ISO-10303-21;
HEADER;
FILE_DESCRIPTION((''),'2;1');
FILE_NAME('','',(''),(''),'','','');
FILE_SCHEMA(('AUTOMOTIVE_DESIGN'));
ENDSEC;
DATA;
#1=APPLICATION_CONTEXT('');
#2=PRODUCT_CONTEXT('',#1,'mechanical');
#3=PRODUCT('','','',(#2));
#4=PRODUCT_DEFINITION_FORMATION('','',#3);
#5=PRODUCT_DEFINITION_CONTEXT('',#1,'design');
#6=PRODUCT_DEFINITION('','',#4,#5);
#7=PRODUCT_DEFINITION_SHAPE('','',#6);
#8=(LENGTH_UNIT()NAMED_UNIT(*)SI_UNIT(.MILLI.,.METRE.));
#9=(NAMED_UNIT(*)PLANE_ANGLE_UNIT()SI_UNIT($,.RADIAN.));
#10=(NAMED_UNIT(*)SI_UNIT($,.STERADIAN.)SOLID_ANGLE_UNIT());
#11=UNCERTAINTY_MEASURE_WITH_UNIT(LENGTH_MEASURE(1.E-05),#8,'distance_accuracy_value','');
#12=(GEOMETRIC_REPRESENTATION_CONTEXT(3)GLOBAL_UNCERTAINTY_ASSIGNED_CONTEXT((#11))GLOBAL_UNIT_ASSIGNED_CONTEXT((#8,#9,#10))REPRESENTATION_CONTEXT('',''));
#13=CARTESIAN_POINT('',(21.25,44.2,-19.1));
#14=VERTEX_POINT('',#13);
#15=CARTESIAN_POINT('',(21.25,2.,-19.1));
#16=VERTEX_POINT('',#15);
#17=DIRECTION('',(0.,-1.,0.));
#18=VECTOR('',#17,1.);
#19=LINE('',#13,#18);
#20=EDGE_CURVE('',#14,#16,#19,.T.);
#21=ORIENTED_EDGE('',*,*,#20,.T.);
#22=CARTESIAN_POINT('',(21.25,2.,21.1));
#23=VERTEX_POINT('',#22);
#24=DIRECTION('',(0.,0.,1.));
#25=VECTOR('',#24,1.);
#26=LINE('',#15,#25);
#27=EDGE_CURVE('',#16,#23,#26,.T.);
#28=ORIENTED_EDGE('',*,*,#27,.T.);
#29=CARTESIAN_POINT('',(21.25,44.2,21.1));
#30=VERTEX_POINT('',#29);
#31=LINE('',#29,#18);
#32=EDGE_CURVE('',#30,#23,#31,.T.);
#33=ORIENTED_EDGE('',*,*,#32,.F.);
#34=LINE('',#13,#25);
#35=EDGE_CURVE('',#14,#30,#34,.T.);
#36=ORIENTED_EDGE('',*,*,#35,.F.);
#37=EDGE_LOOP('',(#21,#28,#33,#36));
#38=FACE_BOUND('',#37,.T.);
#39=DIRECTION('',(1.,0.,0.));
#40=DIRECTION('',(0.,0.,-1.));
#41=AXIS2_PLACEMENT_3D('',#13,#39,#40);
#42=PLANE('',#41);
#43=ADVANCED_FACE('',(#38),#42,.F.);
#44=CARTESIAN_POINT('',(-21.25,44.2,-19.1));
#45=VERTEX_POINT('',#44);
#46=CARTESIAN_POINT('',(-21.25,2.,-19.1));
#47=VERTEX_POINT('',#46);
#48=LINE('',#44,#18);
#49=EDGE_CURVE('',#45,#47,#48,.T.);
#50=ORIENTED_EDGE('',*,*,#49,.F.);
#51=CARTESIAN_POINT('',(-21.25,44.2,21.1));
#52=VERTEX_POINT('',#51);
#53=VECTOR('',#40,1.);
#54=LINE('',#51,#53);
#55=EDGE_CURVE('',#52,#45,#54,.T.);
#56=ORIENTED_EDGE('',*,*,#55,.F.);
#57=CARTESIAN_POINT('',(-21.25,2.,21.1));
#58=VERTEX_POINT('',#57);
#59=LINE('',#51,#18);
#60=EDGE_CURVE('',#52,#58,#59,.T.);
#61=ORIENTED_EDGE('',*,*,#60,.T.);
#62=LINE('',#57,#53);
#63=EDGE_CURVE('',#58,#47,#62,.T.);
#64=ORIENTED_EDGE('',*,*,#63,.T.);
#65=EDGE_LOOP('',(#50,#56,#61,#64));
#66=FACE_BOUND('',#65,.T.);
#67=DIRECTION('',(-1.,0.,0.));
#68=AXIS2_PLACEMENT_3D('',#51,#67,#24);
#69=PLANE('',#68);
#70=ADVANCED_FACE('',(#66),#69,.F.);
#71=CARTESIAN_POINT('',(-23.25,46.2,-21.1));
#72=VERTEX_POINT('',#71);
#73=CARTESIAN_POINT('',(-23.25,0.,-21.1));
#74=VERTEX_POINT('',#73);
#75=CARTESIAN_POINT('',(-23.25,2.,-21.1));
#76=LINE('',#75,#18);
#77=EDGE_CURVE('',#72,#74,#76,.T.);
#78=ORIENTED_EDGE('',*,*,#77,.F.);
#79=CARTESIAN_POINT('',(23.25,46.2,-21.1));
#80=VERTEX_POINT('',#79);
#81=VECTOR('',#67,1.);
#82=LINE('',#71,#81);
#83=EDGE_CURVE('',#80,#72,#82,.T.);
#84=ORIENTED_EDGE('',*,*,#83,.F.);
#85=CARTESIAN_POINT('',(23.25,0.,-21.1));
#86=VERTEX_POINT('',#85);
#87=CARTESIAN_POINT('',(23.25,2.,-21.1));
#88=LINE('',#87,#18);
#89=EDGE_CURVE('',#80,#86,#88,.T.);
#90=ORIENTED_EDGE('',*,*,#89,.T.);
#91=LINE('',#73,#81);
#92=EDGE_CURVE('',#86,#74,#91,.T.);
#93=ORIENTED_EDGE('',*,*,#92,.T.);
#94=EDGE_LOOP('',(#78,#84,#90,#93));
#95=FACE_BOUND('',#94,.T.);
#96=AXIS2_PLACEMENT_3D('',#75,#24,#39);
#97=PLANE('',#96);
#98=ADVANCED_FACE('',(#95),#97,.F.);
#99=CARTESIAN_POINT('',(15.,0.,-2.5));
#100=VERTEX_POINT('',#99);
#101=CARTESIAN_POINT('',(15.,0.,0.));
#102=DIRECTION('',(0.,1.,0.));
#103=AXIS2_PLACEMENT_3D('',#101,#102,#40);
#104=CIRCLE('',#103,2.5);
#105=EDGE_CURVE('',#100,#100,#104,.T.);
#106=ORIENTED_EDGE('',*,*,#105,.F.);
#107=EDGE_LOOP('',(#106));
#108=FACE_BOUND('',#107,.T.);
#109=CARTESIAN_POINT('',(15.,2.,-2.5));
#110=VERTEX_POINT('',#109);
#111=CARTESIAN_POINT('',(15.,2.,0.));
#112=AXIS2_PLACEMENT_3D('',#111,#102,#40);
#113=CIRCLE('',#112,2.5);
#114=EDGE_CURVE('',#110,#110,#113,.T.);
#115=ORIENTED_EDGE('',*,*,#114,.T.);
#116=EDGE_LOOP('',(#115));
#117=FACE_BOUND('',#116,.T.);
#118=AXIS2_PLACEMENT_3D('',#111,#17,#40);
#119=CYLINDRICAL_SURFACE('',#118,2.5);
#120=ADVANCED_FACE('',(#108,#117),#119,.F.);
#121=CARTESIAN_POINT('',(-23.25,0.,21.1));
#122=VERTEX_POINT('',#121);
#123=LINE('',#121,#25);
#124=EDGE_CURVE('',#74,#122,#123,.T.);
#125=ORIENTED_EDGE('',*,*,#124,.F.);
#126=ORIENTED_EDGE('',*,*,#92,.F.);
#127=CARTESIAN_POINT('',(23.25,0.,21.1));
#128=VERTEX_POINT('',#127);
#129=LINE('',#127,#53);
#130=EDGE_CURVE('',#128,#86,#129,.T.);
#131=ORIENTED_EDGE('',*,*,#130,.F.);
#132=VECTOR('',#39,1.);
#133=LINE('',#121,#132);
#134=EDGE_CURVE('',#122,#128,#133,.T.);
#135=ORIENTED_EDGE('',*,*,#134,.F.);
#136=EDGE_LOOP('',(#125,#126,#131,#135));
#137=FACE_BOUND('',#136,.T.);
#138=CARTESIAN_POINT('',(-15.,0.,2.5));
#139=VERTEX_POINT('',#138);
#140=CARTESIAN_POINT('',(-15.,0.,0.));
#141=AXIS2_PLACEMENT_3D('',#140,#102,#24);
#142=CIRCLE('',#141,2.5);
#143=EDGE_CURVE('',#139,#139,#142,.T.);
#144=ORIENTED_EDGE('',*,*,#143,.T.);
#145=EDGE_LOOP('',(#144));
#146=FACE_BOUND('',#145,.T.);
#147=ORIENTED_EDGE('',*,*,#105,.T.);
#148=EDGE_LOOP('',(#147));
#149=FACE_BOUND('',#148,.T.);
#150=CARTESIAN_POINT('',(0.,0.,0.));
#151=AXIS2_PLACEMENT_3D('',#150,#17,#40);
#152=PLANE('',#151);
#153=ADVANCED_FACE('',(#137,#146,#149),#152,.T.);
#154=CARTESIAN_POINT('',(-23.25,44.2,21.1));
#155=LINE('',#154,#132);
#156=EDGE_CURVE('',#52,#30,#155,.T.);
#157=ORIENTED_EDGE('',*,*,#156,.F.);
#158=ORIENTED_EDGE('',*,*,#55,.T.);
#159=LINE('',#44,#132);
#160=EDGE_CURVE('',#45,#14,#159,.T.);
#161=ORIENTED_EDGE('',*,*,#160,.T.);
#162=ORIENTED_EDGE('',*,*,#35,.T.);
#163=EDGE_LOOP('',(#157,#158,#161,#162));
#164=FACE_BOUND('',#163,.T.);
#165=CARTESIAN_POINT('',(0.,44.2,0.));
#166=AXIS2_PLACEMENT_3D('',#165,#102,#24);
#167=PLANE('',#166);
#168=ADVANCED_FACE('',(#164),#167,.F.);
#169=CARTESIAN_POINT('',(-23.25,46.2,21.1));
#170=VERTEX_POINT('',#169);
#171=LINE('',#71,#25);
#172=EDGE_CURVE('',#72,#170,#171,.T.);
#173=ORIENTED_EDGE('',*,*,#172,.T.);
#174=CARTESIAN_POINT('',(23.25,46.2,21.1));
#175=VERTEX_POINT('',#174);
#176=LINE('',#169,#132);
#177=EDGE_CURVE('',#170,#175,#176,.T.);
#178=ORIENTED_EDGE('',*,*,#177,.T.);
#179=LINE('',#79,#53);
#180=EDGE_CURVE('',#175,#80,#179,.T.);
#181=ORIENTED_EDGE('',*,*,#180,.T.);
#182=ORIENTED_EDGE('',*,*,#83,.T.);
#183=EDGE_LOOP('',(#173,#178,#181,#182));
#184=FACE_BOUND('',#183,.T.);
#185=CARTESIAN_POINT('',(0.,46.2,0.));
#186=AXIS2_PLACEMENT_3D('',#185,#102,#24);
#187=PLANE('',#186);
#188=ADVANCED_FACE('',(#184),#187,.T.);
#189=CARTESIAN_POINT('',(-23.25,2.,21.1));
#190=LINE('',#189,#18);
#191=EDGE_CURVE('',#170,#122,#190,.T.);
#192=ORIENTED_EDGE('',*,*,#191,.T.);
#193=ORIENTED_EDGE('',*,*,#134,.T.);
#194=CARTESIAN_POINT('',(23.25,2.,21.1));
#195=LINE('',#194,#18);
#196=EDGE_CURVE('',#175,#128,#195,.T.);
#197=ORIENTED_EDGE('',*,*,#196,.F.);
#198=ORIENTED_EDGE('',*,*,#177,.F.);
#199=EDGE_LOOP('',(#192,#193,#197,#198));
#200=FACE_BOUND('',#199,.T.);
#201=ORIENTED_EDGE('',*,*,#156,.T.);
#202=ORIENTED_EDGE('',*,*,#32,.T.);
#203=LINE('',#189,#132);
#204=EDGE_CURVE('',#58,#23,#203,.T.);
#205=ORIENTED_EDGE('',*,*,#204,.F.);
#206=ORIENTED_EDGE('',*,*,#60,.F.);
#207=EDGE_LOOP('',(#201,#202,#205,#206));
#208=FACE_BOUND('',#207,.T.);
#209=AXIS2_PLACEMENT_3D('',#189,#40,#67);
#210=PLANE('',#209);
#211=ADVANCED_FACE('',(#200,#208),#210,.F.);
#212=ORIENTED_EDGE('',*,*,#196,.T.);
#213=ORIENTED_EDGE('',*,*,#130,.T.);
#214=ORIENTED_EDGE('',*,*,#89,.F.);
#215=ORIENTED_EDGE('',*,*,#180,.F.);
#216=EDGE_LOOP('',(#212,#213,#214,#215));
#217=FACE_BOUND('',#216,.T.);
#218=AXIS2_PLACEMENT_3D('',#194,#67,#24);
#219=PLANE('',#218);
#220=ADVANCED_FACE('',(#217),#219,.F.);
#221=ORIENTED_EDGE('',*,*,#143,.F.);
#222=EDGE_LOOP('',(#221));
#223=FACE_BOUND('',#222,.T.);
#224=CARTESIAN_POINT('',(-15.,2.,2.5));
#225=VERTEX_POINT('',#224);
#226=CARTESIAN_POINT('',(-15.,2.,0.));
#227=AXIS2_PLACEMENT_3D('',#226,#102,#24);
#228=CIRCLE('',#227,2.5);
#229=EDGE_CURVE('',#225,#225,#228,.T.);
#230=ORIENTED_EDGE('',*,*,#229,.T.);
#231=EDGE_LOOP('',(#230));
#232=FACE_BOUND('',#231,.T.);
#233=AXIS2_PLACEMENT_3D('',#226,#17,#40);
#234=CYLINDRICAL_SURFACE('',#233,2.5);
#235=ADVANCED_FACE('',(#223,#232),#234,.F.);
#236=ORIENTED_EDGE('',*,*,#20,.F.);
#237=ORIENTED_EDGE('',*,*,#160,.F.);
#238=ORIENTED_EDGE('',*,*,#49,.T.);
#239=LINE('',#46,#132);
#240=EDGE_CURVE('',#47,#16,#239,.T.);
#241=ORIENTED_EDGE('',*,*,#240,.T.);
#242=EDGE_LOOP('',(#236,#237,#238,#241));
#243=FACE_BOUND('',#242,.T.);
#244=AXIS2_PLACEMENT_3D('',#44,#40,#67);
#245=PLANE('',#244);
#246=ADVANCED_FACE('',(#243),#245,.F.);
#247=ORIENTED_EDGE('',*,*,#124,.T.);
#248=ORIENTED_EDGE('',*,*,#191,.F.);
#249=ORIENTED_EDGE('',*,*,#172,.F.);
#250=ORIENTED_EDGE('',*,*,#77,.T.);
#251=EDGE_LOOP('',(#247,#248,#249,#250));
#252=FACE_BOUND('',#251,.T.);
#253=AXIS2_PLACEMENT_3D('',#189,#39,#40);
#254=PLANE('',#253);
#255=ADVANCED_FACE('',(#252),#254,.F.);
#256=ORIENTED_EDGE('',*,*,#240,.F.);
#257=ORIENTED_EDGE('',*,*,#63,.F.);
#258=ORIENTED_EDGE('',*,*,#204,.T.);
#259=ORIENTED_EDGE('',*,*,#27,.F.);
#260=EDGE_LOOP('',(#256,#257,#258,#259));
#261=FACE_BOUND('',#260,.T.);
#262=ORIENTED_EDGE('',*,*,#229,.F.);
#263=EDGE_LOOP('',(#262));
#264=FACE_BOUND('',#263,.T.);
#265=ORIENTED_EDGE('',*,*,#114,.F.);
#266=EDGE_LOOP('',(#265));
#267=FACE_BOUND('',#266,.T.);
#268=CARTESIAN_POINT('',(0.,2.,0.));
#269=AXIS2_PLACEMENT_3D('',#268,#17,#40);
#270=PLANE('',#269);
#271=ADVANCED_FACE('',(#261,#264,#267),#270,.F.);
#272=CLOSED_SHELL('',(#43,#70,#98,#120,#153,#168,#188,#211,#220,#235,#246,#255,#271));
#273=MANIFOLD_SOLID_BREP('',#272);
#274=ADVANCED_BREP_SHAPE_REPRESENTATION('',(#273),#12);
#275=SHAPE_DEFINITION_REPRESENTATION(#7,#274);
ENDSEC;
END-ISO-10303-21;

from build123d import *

# Parameters (mm, degrees)
SKETCH2_W           = 46.5
SKETCH2_H           = 42.2
SKETCH2_R           = 2.5
BOSS_EXTRUDE1_DEPTH = 2
BOSS_EXTRUDE2_DEPTH = 42.2
SKETCH4_W           = 46.5
SKETCH4_H           = 42.2
BOSS_EXTRUDE3_DEPTH = 2


with BuildPart() as part:
    # Sketch2 → Boss-Extrude1 (new body)
    with BuildSketch(Plane(origin=(0, 0, 0), x_dir=(1, 0, 0), z_dir=(0, 1, 0))):
        Rectangle(SKETCH2_W, SKETCH2_H)
        with Locations(Location((-15, 0, 0), (0, 0, 270))):
            Circle(SKETCH2_R, mode=Mode.SUBTRACT)
        with Locations(Location((15, 0, 0), (0, 0, 90))):
            Circle(SKETCH2_R, mode=Mode.SUBTRACT)
    extrude(amount=BOSS_EXTRUDE1_DEPTH)

    # Sketch3 → Boss-Extrude2 (add)
    with BuildSketch(Plane(origin=(0, 2, 0), x_dir=(1, 0, 0), z_dir=(0, 1, 0))):
        Polygon((-23.25, -21.1), (-21.25, -21.1), (-21.25, 19.1), (21.25, 19.1), (21.25, -21.1), (23.25, -21.1), (23.25, 21.1), (-23.25, 21.1), align=None)
    extrude(amount=BOSS_EXTRUDE2_DEPTH)

    # Sketch4 → Boss-Extrude3 (add)
    with BuildSketch(Plane(origin=(0, 44.2, 0), x_dir=(1, 0, 0), z_dir=(0, 1, 0))):
        Rectangle(SKETCH4_W, SKETCH4_H)
    extrude(amount=BOSS_EXTRUDE3_DEPTH)


solid = part.part
